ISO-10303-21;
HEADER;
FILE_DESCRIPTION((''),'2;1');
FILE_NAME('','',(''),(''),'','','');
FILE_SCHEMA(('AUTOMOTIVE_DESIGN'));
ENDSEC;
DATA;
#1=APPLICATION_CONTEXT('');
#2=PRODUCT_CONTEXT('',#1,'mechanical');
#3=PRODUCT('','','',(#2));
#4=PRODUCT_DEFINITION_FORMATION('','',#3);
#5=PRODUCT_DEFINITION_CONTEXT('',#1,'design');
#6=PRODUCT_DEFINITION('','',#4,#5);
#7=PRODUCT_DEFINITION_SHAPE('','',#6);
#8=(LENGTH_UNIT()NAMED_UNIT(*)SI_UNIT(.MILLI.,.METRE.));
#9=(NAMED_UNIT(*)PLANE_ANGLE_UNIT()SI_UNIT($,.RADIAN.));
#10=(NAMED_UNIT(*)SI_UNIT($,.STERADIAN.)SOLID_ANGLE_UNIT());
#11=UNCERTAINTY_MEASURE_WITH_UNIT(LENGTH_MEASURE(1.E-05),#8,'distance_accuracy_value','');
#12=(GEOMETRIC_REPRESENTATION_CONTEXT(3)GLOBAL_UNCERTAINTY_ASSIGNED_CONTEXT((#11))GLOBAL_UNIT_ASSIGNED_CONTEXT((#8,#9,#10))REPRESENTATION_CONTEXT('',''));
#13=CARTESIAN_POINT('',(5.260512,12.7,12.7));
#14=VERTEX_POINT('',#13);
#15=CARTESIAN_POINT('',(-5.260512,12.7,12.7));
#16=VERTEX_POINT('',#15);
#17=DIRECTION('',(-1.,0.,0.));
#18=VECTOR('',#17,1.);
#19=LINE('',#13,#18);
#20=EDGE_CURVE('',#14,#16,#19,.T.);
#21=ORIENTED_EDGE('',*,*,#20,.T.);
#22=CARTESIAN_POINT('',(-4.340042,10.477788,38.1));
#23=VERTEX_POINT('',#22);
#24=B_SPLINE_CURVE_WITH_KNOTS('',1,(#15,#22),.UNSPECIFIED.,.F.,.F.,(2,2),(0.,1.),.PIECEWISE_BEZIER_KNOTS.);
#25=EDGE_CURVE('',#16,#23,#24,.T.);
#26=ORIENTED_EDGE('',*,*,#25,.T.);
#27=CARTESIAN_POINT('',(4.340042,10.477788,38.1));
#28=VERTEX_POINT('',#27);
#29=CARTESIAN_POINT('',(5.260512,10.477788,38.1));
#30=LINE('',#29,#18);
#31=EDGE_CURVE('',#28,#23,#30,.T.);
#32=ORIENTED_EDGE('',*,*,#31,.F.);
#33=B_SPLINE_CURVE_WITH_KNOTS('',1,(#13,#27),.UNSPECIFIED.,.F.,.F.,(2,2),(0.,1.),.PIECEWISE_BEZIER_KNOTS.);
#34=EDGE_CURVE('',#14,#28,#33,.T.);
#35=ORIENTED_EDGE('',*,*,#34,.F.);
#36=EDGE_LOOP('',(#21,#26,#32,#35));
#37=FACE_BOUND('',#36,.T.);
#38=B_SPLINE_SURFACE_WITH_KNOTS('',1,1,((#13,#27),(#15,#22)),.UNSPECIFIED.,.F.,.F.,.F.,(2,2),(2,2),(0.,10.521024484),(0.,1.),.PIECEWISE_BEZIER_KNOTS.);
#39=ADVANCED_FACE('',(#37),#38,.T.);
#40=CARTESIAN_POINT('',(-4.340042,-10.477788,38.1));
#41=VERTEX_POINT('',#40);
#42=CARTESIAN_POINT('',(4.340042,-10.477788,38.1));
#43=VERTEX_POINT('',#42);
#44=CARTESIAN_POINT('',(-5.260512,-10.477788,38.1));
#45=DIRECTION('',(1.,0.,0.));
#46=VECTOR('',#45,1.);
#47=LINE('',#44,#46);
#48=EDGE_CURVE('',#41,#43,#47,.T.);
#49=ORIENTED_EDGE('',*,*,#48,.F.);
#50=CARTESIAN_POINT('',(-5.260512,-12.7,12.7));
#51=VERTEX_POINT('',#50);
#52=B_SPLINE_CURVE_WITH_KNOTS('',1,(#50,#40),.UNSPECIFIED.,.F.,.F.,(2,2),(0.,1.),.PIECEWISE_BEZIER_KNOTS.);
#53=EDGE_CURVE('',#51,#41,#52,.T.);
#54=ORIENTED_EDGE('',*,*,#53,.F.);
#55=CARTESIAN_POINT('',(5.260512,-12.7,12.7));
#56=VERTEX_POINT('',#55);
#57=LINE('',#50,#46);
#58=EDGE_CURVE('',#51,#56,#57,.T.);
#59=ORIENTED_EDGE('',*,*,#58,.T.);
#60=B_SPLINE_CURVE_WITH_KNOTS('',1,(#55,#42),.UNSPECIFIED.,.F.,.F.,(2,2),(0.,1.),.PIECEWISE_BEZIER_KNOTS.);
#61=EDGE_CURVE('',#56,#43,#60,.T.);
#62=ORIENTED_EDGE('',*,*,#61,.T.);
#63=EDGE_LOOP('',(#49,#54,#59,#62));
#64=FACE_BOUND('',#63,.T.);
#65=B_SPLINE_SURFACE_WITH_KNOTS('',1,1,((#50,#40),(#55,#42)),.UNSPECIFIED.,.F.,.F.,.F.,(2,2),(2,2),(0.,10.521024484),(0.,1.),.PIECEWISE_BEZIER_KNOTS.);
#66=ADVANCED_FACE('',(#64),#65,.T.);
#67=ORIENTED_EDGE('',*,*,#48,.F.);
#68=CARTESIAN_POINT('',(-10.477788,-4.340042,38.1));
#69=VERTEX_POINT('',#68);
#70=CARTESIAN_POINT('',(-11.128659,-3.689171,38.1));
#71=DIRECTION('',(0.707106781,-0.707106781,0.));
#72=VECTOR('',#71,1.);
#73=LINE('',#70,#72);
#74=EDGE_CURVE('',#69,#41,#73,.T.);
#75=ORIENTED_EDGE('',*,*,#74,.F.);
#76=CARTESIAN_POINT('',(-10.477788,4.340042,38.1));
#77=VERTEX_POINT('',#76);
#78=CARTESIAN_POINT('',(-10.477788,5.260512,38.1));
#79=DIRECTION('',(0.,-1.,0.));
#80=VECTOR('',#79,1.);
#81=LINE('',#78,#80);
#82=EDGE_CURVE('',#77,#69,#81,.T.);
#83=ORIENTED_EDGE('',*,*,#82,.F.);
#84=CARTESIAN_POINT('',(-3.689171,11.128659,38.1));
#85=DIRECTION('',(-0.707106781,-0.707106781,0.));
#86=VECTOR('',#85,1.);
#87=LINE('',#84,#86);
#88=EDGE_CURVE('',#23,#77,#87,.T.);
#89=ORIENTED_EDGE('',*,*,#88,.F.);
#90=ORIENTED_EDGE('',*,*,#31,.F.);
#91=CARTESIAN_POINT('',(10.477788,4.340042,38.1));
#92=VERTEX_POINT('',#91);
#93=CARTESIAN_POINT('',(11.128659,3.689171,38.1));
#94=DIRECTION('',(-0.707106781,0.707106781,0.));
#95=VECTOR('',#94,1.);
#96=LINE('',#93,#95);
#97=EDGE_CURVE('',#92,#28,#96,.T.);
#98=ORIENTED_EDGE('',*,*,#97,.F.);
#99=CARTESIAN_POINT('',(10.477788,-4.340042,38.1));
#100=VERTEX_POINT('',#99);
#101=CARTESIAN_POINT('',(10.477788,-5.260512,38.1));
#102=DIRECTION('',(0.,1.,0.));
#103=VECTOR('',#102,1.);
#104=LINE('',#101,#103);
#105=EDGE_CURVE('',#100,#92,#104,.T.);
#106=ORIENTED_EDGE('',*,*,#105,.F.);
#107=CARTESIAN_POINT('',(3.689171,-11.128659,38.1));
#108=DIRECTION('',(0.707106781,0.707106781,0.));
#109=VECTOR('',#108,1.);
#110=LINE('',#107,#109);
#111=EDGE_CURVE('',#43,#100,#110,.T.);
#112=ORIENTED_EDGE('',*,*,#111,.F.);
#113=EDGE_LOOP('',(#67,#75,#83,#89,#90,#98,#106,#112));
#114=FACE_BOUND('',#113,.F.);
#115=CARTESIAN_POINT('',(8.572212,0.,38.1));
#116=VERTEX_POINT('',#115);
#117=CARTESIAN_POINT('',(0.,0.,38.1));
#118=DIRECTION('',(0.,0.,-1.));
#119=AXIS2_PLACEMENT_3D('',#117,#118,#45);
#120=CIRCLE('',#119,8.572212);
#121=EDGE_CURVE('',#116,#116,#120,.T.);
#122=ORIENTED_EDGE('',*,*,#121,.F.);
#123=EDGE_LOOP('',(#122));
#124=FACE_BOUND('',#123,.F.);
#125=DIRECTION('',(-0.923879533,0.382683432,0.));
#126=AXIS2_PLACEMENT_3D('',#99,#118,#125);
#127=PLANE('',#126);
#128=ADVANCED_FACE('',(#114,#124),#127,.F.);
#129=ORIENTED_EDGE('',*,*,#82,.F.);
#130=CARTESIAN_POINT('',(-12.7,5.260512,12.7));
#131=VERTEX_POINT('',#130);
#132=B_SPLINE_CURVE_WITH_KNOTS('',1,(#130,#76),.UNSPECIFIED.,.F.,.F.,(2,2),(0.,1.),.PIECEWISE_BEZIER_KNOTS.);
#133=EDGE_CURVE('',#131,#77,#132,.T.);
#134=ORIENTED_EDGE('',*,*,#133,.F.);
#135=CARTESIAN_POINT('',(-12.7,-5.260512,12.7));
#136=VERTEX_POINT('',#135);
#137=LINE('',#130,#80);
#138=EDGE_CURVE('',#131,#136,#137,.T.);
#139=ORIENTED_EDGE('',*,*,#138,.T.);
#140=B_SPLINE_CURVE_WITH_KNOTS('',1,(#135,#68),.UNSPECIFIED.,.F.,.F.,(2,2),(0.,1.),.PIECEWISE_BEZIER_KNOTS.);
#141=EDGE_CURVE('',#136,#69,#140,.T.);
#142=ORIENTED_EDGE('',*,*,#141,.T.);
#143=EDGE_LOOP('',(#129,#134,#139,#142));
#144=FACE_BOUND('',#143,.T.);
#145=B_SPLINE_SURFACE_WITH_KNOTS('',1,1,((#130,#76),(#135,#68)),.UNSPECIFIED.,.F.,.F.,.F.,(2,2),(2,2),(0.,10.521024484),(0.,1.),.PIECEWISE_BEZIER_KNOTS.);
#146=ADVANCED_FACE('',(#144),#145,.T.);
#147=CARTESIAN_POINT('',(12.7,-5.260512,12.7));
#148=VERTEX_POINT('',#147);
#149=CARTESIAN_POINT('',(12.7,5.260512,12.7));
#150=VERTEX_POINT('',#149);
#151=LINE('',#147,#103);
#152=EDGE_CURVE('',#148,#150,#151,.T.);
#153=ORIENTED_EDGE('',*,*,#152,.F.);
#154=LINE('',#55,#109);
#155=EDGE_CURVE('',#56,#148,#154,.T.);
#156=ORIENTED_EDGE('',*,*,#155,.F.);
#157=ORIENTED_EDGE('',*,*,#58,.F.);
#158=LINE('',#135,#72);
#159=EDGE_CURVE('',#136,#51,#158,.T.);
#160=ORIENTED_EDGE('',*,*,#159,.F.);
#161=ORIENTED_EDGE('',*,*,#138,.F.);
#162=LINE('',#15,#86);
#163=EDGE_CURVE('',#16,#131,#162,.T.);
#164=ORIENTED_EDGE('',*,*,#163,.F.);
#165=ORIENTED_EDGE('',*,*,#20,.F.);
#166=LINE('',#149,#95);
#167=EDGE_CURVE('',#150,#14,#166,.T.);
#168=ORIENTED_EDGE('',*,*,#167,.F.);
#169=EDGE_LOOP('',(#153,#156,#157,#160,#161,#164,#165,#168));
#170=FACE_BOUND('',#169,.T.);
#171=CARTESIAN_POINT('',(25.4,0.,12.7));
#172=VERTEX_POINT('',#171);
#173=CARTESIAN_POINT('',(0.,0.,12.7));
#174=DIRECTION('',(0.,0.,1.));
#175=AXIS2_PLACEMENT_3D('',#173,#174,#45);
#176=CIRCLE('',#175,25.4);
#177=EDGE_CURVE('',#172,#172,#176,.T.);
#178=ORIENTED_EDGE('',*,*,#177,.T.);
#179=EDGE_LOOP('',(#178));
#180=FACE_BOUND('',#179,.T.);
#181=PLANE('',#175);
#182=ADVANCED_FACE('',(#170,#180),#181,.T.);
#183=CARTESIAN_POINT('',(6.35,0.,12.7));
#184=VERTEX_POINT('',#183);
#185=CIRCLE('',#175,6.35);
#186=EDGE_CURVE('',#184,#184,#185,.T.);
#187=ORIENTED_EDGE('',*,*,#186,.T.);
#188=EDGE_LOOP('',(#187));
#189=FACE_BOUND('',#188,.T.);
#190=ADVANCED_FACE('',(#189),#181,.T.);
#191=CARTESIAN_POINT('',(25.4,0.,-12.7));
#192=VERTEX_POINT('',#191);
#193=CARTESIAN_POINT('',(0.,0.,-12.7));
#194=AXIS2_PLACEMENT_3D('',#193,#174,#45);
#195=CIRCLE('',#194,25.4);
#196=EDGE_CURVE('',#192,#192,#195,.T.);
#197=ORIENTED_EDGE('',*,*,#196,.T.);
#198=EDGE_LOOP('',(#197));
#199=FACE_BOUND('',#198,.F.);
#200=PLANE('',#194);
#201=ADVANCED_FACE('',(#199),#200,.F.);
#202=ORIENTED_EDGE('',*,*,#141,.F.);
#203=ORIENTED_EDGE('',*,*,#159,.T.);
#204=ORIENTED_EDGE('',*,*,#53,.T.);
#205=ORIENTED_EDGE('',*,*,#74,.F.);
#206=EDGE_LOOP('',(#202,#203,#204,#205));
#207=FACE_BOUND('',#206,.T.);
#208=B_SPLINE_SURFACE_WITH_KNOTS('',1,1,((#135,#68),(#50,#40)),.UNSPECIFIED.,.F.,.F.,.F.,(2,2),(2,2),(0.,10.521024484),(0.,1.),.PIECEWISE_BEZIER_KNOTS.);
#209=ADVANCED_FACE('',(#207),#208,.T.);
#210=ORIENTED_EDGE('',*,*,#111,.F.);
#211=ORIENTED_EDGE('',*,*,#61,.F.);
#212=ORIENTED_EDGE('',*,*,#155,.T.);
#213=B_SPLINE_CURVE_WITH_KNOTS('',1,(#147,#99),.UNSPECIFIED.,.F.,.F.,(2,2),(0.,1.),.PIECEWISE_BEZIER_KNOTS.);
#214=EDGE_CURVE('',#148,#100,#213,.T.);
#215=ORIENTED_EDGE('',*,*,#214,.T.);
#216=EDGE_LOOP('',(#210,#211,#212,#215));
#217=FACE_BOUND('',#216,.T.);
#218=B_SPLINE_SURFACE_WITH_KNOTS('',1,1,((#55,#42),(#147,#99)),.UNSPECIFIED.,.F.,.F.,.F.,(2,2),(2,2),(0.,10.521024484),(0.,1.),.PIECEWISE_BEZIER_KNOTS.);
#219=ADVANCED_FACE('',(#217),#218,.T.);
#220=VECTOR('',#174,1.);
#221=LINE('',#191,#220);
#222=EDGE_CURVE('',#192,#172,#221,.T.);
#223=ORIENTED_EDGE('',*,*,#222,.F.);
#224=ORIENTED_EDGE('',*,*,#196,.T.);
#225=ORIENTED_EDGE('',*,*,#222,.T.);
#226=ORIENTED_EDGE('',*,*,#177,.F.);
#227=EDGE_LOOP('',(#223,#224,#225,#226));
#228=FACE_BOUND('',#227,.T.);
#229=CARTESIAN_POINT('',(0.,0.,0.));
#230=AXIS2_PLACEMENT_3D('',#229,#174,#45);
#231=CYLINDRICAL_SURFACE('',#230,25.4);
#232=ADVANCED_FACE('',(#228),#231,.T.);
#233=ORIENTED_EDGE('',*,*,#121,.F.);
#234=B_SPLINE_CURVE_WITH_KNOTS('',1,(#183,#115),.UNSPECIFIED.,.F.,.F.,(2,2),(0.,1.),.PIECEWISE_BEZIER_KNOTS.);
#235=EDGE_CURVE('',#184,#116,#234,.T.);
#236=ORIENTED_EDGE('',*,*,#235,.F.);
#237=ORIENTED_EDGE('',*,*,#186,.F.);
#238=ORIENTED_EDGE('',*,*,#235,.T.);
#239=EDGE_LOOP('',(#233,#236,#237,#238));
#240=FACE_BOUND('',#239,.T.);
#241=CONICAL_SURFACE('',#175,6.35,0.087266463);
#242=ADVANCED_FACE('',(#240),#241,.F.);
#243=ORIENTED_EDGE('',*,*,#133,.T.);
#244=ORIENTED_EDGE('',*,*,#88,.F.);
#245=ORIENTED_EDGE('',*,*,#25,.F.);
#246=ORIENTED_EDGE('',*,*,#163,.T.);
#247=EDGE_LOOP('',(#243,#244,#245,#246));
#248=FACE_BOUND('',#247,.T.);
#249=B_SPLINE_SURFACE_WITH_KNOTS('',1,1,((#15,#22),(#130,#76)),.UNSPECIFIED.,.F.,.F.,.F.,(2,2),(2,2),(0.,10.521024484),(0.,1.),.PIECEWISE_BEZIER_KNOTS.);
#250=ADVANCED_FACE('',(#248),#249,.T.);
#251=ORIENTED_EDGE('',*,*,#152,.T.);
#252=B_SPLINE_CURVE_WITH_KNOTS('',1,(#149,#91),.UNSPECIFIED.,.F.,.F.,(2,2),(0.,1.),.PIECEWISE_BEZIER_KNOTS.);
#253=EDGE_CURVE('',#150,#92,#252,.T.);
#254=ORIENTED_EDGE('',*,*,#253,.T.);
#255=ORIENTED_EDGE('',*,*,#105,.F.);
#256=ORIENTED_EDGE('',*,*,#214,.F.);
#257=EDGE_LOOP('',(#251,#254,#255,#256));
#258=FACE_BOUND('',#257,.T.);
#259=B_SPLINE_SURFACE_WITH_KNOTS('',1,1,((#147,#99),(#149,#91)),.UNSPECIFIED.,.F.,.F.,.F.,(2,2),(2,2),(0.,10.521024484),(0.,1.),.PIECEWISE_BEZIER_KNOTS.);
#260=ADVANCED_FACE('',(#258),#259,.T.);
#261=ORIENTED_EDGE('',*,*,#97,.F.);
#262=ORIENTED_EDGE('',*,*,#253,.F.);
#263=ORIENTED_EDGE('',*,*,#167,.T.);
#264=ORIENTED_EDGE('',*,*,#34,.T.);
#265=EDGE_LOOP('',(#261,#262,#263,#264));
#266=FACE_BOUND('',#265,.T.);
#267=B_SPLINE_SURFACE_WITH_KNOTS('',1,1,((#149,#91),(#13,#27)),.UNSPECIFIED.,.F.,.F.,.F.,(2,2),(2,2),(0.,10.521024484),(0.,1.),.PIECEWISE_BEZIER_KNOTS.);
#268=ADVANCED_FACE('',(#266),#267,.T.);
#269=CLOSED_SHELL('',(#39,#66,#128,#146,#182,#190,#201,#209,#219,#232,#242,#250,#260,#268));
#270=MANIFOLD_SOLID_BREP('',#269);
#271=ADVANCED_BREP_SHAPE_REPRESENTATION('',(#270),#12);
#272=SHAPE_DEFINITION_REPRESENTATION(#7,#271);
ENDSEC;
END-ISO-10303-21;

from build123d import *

# Parameters (mm, degrees)
F0_R     = 25.4
F1_DEPTH = 12.7
F2_R     = 6.35
F3_DEPTH = 25.4
F3_TAPER = 5


with BuildPart() as f1:
    # F0 (on Top) → F1 (new body, symmetric)
    with BuildSketch(Plane.XY):
        Circle(F0_R)
    extrude(amount=F1_DEPTH, both=True)

    # F2 (on face) → F3 (join)
    with BuildSketch(Plane.XY.offset(12.7)):
        Polygon((12.7, -5.2605122421), (12.7, 5.2605122421), (5.2605122421, 12.7), (-5.2605122421, 12.7), (-12.7, 5.2605122421), (-12.7, -5.2605122421), (-5.2605122421, -12.7), (5.2605122421, -12.7), align=None)
        Circle(F2_R, mode=Mode.SUBTRACT)
    extrude(amount=F3_DEPTH, taper=F3_TAPER)


solid = f1.part
